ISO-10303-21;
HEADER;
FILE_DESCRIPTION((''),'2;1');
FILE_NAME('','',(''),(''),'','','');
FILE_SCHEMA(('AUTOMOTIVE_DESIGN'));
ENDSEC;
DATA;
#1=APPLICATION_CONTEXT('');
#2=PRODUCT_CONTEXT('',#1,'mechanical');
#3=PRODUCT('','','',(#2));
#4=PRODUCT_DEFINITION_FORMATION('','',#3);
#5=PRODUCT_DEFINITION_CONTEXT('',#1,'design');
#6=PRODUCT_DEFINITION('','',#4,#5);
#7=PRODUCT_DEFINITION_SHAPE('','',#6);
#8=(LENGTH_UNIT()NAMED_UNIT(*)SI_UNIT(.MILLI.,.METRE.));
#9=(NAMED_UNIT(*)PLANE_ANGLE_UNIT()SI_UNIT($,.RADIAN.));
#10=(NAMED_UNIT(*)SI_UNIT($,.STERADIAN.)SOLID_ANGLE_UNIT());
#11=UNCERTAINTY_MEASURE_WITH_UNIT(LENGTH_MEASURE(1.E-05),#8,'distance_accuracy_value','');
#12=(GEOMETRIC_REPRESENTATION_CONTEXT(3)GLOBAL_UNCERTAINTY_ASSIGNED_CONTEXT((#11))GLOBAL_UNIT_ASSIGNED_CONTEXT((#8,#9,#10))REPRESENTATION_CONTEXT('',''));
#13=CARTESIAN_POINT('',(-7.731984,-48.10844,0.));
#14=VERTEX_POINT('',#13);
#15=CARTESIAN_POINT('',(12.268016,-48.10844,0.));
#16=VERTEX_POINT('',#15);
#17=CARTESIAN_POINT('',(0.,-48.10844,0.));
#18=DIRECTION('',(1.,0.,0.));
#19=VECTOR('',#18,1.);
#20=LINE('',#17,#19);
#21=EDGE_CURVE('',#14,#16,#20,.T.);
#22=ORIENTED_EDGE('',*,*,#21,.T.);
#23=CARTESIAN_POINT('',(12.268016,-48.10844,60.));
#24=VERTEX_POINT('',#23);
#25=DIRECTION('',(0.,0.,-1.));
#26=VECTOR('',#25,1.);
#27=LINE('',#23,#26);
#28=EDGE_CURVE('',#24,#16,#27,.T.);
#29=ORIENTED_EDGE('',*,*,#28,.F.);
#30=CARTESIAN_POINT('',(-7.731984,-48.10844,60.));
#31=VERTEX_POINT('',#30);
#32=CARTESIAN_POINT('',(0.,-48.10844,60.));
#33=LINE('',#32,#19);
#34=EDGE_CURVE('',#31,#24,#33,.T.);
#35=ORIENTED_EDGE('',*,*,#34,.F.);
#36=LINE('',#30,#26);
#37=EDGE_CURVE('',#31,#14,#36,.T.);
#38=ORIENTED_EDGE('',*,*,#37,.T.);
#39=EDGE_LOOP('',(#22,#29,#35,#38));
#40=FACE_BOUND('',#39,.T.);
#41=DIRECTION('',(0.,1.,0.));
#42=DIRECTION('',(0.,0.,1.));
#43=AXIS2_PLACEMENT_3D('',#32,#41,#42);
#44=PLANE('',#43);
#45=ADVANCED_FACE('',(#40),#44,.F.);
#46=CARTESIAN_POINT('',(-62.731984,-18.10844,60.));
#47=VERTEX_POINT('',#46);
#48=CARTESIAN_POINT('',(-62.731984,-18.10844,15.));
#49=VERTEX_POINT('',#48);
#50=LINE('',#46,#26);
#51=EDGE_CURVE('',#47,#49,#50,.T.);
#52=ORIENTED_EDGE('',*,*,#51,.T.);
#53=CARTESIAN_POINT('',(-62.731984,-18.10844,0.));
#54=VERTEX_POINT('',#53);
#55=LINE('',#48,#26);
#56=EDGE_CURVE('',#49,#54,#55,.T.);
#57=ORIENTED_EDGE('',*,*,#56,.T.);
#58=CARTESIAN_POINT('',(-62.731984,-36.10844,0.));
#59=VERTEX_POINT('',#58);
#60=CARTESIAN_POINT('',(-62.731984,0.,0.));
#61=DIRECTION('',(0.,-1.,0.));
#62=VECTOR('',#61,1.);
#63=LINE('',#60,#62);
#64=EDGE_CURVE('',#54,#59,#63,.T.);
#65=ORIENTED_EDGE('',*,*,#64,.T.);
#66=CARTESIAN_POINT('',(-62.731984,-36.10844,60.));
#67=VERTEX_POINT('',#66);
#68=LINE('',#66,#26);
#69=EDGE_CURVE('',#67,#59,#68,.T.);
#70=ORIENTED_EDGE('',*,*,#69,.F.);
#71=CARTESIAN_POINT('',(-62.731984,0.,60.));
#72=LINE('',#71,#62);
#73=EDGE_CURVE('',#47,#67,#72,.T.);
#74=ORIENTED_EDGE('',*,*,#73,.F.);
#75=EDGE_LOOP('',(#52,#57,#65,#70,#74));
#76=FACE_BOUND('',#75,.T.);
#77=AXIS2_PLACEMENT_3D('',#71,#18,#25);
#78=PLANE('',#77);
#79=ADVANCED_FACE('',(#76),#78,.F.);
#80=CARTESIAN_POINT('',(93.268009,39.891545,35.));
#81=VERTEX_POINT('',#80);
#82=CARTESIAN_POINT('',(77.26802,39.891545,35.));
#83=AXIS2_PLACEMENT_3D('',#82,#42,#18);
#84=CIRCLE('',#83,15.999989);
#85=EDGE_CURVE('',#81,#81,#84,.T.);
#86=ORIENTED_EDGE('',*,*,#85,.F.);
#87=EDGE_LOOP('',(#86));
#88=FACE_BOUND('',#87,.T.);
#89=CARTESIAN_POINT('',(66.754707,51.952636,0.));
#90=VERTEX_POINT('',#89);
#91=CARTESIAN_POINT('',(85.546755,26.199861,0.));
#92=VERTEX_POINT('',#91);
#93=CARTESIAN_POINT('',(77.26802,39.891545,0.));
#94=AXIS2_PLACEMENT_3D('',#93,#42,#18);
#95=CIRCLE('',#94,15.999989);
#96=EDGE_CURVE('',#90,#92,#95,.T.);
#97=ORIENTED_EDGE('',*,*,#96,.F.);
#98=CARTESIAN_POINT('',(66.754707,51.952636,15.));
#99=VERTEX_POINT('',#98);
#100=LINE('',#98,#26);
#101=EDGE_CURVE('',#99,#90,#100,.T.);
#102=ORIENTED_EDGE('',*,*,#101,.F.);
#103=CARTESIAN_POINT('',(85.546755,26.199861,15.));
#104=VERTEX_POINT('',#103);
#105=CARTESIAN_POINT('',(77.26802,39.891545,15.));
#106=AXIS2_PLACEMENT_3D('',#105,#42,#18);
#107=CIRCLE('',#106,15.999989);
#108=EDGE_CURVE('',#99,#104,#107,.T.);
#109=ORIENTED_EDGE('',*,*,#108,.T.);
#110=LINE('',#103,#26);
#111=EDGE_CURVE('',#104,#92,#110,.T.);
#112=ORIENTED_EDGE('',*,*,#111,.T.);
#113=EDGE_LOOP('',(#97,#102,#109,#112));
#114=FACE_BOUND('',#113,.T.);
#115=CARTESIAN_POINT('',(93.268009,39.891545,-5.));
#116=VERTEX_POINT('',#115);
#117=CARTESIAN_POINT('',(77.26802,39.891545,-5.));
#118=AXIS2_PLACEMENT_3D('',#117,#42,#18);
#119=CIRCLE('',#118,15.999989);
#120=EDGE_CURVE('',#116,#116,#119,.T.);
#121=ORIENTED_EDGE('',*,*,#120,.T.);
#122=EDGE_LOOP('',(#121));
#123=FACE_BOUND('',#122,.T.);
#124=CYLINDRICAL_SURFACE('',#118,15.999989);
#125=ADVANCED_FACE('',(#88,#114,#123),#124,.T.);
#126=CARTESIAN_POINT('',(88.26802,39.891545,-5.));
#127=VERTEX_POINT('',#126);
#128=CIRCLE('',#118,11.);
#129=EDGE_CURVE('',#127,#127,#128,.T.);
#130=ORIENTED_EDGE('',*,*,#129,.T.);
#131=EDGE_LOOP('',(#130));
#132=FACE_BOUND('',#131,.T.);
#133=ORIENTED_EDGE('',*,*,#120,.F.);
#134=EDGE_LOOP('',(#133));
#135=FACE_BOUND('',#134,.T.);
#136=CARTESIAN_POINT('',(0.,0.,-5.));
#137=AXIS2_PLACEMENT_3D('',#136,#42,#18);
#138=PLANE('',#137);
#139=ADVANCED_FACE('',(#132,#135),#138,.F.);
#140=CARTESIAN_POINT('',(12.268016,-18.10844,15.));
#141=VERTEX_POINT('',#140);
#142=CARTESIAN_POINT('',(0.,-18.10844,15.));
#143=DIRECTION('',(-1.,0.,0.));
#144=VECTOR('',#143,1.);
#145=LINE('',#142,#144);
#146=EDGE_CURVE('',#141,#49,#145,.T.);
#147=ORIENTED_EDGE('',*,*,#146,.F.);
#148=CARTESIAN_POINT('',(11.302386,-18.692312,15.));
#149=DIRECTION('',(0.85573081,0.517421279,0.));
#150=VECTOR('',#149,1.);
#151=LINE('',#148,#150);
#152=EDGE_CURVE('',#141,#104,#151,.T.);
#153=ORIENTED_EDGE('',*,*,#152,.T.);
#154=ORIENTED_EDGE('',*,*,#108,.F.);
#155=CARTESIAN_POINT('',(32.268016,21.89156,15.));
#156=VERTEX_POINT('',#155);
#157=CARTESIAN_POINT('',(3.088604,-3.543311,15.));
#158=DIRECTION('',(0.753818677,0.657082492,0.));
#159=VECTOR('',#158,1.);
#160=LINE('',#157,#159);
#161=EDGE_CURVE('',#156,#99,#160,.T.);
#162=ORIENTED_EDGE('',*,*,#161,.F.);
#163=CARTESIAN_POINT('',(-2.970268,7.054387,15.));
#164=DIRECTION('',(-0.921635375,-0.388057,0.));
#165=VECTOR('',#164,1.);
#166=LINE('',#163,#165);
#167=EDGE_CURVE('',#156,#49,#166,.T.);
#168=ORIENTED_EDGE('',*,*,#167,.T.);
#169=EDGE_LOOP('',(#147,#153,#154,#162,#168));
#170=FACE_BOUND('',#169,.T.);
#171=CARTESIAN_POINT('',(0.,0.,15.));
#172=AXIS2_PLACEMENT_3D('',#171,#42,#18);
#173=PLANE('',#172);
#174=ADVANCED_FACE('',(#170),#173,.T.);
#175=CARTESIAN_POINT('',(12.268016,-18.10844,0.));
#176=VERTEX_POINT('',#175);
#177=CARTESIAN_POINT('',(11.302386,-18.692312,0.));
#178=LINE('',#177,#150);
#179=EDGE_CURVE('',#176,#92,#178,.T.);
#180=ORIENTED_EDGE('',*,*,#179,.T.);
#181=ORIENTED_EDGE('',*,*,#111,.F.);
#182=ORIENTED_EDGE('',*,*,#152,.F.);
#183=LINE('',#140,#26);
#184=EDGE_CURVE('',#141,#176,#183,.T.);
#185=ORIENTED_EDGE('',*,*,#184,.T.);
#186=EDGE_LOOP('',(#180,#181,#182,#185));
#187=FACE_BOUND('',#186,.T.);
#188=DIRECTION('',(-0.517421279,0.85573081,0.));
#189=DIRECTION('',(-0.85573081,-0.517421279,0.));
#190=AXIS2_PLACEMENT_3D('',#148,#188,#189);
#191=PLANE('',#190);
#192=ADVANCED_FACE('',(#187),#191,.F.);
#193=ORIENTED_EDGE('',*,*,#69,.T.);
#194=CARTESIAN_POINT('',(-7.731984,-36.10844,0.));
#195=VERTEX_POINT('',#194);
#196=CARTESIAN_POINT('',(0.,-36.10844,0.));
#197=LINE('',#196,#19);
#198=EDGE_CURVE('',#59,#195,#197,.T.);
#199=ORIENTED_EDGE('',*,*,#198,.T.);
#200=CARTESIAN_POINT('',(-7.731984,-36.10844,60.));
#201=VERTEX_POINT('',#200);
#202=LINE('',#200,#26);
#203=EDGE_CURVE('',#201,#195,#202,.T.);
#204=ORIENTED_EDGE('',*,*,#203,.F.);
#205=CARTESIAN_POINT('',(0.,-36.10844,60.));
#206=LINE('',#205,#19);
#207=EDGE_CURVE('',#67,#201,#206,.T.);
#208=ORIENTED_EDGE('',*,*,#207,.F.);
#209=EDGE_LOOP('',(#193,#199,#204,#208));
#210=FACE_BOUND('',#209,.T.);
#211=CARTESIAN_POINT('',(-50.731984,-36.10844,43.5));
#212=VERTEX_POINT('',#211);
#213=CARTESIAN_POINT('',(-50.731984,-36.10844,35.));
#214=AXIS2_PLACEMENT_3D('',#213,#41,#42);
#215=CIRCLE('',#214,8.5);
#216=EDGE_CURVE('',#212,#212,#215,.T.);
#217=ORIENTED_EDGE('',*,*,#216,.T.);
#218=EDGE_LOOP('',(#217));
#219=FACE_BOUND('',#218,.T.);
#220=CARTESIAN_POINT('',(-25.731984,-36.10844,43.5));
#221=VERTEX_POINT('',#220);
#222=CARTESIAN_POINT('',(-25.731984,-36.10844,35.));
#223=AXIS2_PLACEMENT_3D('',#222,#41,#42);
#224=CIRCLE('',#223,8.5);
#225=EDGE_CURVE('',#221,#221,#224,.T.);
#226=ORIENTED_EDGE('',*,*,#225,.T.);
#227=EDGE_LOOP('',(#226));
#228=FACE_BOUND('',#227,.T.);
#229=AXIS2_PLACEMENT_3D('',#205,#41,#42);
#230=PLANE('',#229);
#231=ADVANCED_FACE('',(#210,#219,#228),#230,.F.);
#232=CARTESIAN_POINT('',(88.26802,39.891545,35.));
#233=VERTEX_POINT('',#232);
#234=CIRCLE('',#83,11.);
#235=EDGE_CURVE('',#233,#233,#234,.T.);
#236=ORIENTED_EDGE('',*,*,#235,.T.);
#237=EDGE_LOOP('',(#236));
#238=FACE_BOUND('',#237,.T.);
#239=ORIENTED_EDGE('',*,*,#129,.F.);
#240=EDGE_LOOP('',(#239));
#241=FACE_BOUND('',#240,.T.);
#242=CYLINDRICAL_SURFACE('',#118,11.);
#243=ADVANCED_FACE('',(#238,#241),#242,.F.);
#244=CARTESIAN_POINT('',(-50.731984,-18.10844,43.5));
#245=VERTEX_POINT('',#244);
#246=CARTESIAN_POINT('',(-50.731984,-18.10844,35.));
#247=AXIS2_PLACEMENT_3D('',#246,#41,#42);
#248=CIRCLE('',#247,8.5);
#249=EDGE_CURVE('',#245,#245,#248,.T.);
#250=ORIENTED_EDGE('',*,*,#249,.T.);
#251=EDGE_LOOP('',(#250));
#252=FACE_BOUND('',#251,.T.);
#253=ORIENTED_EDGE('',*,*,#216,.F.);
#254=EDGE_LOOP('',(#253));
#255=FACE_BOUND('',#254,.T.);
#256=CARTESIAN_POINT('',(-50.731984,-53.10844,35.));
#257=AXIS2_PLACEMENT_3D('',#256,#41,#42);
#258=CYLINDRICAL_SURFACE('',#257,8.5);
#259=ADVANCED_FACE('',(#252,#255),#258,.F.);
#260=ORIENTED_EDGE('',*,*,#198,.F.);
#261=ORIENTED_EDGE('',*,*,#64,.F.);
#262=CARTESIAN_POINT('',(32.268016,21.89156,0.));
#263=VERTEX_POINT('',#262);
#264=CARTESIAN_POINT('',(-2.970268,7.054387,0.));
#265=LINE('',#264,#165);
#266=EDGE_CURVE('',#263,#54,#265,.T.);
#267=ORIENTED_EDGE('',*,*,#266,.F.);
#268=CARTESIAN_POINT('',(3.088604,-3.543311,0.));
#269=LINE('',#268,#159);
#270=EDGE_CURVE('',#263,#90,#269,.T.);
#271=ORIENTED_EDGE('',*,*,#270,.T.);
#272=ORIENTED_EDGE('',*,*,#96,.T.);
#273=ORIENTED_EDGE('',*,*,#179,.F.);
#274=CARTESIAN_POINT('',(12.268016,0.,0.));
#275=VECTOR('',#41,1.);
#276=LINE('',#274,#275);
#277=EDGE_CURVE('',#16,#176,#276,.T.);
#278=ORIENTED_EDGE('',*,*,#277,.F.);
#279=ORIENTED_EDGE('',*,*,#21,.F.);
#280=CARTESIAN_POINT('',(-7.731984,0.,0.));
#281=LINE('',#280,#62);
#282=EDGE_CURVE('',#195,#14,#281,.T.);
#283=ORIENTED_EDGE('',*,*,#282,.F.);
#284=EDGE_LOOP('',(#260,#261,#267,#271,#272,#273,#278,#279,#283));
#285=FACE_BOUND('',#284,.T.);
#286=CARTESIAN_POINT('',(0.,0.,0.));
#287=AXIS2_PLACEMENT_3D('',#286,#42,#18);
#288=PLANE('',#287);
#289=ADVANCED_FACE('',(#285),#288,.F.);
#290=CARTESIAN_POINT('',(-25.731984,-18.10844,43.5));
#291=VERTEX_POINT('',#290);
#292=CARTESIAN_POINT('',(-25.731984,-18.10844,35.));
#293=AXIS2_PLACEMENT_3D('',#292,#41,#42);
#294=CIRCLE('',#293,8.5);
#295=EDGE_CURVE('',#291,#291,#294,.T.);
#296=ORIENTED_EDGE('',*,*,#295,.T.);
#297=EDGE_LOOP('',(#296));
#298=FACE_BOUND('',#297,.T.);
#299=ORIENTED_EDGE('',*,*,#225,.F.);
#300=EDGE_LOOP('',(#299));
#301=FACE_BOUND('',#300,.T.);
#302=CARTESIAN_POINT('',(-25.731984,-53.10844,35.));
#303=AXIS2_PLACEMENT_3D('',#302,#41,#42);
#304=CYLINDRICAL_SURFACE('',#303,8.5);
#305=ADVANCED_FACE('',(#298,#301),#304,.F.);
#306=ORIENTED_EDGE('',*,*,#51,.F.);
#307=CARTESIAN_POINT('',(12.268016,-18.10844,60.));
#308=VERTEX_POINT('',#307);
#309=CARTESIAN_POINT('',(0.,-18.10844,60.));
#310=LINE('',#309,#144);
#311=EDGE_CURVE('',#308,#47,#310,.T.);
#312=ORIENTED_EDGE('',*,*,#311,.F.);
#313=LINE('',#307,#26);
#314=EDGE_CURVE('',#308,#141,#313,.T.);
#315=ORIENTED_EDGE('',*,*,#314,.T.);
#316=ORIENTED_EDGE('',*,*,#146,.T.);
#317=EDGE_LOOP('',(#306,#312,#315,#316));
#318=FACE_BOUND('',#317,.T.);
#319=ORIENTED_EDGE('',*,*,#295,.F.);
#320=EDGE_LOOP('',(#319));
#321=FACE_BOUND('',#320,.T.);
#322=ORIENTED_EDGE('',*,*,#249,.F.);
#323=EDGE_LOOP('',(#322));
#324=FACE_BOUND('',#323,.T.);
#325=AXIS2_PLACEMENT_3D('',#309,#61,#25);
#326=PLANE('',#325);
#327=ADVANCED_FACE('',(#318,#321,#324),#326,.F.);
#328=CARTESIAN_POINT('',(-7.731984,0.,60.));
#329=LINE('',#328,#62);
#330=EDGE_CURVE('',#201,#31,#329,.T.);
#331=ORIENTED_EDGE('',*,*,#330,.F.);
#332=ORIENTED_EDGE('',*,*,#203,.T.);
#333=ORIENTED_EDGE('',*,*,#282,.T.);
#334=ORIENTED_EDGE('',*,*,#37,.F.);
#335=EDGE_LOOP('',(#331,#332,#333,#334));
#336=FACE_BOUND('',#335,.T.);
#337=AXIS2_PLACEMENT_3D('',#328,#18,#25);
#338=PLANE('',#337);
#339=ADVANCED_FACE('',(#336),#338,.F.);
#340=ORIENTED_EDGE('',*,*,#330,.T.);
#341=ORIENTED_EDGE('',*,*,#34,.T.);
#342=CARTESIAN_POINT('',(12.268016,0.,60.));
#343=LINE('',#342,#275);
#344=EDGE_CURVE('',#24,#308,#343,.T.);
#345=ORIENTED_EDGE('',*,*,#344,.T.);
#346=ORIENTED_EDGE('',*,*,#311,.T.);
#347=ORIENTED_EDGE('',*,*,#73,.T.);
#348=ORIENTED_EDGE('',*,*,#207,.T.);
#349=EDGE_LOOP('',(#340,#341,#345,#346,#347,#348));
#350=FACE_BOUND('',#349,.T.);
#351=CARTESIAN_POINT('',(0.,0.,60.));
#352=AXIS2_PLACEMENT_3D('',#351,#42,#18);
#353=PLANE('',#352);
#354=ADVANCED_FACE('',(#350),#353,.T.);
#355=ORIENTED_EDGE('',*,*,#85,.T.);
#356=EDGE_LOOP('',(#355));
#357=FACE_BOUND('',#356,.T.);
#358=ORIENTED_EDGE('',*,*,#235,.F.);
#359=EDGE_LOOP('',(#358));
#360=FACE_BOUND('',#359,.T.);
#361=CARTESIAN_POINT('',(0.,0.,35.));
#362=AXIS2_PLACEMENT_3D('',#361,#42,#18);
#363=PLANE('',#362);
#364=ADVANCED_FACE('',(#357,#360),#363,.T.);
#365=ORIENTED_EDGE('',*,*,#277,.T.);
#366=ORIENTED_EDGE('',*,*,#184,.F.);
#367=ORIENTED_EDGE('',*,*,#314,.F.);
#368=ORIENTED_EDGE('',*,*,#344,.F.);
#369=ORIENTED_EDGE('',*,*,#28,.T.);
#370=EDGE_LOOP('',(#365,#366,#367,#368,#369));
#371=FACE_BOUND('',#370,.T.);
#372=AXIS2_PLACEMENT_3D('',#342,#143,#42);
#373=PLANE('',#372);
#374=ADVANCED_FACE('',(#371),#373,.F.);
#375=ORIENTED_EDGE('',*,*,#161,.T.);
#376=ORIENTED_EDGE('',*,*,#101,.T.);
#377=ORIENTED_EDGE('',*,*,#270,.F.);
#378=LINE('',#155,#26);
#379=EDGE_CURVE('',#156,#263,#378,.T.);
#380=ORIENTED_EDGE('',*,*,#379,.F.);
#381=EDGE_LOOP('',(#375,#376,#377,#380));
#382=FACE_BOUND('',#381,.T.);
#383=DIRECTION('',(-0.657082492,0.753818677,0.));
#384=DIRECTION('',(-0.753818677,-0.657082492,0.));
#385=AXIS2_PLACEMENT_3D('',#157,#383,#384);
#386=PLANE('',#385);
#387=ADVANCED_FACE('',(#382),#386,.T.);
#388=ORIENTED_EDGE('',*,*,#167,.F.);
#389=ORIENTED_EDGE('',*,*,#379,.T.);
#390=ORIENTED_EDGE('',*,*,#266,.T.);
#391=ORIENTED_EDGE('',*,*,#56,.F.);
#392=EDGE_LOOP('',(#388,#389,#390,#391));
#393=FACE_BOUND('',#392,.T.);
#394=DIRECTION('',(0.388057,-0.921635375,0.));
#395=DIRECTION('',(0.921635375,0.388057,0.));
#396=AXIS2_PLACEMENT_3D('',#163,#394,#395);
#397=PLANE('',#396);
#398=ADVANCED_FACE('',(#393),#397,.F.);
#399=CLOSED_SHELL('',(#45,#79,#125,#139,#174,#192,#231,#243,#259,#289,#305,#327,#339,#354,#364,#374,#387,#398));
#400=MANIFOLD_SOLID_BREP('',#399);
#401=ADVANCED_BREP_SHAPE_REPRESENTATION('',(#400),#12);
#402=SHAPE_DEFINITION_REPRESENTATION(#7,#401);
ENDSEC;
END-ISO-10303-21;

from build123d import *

# Parameters (mm, degrees)
BOSS_EXTRUDE1_DEPTH      = 60
BOSS_EXTRUDE2_DEPTH      = 15
BOSS_EXTRUDE3_DEPTH      = 35
BOSS_EXTRUDE3_DEPTH_BACK = 5
SKETCH1_4_R              = 11
SKETCH2_R                = 8.5
CUT_EXTRUDE1_DEPTH       = 35


with BuildPart() as part:
    # Sketch1 → Boss-Extrude1 (new body)
    with BuildSketch(Plane.XY):
        Polygon((-62.731983875, -18.108440156), (-62.731983875, -36.108440156), (-7.731983875, -36.108440156), (-7.731983875, -48.108440156), (12.268016125, -48.108440156), (12.268016125, -18.108440156), align=None)
    extrude(amount=BOSS_EXTRUDE1_DEPTH)

    # Sketch1<3> → Boss-Extrude2 (add)
    with BuildSketch(Plane.XY):
        with BuildLine():
            Line((32.268016125, 21.891559844), (-62.731983875, -18.108440156))
            Line((-62.731983875, -18.108440156), (12.268016125, -18.108440156))
            Line((12.268016125, -18.108440156), (85.546754882, 26.199861359))
            ThreePointArc((85.546754882, 26.199861359), (64.34324961, 30.460215847), (66.754706964, 51.95263613))
            Line((66.754706964, 51.95263613), (32.268016125, 21.891559844))
        make_face()
    extrude(amount=BOSS_EXTRUDE2_DEPTH)

    # Sketch1<4> → Boss-Extrude3 (add, two sides: drawn at the far end of the back side and taken through both)
    with BuildSketch(Plane.XY.offset(-BOSS_EXTRUDE3_DEPTH_BACK)):
        with BuildLine():
            ThreePointArc((66.754706964, 51.95263613), (64.34324961, 30.460215847), (85.546754882, 26.199861359))
            ThreePointArc((85.546754882, 26.199861359), (91.204650285, 32.032156327), (93.268009306, 39.891545268))
            ThreePointArc((93.268009306, 39.891545268), (83.89322803, 54.455414207), (66.754706964, 51.95263613))
        make_face()
        with Locations((77.268019887, 39.891545268)):
            Circle(SKETCH1_4_R, mode=Mode.SUBTRACT)
    extrude(amount=BOSS_EXTRUDE3_DEPTH + BOSS_EXTRUDE3_DEPTH_BACK)

    # Sketch2 → Cut-Extrude1 (cut)
    with BuildSketch(Plane(origin=(0, -18.108440156, 0), x_dir=(1, 0, 0), z_dir=(0, 1, 0))):
        with Locations((-50.731983875, -35)):
            Circle(SKETCH2_R)
        with Locations((-25.731983875, -35)):
            Circle(SKETCH2_R)
    extrude(amount=-CUT_EXTRUDE1_DEPTH, mode=Mode.SUBTRACT)


solid = part.part
